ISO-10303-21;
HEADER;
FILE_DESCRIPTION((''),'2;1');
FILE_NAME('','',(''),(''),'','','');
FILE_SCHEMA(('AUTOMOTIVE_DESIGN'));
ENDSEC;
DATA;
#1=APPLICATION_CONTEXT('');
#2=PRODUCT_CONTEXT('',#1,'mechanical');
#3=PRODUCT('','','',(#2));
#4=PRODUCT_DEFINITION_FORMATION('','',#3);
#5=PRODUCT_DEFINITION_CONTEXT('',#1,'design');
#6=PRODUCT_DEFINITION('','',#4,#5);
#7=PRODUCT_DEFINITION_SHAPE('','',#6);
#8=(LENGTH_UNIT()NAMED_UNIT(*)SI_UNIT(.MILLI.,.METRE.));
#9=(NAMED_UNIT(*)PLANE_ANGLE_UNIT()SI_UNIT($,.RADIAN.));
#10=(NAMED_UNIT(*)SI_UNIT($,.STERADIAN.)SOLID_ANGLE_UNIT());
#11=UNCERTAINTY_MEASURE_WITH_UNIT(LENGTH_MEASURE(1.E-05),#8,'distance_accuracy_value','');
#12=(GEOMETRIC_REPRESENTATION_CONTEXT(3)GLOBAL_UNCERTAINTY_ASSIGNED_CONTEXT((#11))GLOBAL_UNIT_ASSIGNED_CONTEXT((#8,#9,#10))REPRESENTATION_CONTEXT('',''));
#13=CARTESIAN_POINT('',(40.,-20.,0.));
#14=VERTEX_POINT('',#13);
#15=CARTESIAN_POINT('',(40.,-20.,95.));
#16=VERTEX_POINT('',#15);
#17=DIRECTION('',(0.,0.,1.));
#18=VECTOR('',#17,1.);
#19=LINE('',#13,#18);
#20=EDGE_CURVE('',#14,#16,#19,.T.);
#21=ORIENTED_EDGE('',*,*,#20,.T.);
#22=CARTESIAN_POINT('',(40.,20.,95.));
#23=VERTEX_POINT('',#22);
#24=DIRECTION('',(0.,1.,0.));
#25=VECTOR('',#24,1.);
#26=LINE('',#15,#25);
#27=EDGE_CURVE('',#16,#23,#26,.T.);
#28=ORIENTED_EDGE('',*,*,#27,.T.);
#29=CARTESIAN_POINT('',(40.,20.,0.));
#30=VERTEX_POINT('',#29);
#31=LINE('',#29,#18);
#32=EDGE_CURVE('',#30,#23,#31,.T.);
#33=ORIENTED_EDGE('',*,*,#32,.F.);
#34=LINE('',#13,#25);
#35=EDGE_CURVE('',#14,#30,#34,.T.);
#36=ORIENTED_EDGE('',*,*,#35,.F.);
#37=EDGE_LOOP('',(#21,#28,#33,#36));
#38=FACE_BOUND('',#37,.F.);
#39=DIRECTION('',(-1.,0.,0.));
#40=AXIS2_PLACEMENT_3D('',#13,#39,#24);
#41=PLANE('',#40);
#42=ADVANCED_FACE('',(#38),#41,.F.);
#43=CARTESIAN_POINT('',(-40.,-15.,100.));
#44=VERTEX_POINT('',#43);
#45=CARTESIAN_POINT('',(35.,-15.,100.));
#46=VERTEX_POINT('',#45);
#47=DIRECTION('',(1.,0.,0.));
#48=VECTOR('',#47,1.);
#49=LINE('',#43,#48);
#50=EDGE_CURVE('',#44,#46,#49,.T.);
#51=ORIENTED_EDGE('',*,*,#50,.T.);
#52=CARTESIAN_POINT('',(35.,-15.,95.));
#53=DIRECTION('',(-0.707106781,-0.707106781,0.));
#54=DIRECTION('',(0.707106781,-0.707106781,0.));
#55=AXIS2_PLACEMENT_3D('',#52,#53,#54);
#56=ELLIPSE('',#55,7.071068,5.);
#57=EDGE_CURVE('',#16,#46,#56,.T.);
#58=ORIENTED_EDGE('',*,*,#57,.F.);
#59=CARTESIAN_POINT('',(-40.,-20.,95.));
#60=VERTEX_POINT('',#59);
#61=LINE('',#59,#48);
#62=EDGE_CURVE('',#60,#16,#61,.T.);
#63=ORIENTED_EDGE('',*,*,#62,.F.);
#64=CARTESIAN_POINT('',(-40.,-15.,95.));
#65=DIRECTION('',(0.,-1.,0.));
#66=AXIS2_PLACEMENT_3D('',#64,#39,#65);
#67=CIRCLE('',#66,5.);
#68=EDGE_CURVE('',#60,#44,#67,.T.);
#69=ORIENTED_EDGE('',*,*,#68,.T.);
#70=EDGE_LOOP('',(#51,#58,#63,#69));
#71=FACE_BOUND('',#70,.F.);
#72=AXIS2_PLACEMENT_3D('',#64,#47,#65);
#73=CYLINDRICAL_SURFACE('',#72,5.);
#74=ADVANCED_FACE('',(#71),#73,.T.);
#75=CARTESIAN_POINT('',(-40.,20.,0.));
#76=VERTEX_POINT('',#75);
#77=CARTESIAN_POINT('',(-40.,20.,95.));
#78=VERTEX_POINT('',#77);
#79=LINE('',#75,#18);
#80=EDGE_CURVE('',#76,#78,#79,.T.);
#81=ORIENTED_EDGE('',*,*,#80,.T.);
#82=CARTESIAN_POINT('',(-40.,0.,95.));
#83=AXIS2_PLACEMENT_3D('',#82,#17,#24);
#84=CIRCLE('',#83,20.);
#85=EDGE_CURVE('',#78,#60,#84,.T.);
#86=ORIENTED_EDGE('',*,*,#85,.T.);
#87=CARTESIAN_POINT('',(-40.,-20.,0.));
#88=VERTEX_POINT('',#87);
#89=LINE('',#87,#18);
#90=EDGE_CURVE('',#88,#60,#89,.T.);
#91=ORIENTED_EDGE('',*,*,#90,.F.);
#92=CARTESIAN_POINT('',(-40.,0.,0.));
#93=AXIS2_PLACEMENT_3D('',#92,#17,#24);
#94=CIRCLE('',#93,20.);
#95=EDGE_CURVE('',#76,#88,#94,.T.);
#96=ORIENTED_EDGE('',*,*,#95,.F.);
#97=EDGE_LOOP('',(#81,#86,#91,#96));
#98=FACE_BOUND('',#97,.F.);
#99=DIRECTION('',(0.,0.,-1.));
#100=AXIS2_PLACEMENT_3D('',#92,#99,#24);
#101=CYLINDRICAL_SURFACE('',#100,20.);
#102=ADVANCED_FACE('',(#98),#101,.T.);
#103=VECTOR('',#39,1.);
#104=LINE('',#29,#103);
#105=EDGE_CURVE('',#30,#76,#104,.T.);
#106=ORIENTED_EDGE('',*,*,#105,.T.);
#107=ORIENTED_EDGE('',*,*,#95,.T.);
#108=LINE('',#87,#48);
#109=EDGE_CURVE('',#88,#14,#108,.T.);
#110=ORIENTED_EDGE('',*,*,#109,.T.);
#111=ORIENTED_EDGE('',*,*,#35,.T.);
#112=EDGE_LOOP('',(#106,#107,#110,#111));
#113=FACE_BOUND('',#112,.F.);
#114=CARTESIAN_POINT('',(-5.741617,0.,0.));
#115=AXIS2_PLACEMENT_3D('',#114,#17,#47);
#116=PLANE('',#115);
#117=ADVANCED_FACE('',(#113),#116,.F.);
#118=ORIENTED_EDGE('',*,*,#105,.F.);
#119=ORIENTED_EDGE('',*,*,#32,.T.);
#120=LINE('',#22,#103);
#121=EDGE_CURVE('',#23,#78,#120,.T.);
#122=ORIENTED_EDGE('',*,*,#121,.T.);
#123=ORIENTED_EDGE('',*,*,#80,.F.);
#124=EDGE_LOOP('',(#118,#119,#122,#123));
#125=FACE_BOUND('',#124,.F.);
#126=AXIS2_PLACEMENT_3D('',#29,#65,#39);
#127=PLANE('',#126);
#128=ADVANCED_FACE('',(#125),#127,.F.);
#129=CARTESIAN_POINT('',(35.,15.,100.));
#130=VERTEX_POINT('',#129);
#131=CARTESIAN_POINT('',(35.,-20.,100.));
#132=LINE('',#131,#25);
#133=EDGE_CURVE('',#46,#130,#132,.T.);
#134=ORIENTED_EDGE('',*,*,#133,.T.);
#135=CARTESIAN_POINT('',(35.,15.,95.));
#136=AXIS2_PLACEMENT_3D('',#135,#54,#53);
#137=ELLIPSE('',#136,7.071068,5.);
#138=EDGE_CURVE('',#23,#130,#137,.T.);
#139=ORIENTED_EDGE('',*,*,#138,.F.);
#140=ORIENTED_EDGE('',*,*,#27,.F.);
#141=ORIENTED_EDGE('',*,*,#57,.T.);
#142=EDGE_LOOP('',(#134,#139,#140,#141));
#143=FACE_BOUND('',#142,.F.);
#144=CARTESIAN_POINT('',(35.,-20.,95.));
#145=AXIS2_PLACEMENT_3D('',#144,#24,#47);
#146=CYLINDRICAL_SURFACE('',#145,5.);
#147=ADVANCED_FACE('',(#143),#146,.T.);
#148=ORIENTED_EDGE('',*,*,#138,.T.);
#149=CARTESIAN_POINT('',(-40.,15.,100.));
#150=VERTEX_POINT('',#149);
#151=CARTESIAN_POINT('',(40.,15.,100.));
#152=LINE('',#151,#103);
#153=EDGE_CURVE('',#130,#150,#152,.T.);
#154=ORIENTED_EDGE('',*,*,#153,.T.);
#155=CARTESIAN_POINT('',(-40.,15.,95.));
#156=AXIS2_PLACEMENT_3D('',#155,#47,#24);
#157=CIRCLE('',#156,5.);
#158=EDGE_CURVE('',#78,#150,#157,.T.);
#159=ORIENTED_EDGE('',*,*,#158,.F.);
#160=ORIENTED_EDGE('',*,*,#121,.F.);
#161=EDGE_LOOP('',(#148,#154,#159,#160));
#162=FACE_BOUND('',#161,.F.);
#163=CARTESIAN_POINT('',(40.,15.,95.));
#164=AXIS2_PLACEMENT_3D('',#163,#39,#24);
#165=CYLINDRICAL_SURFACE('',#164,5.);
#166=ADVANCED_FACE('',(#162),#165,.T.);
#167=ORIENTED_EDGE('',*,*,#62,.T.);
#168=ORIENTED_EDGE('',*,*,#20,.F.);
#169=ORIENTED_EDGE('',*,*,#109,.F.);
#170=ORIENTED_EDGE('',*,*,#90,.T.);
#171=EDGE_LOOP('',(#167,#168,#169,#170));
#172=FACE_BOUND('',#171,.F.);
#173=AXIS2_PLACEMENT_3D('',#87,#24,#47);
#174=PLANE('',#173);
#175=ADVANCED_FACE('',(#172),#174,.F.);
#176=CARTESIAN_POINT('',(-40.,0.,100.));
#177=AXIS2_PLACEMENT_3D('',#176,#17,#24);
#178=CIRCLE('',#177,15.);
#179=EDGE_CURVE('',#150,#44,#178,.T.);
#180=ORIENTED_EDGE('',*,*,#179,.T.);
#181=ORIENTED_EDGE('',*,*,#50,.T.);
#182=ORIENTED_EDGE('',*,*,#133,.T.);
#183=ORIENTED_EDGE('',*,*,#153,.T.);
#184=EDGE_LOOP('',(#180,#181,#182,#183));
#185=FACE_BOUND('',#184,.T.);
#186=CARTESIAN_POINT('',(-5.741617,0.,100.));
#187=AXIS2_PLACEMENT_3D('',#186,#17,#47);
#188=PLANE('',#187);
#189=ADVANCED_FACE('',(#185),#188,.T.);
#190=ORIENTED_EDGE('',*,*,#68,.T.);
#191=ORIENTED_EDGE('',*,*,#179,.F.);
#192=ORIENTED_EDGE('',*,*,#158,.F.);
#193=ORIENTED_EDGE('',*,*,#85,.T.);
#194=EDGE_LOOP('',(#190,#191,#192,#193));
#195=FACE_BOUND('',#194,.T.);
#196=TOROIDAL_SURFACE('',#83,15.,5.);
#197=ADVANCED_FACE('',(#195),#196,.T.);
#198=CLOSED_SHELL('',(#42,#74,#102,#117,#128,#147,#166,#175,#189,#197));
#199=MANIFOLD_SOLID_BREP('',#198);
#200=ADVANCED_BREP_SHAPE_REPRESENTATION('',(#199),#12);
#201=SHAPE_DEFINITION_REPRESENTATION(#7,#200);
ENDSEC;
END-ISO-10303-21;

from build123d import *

# Parameters (mm, degrees)
F1_DEPTH = 100
F2_R     = 5


with BuildPart() as f1:
    # F0 (on Top) → F1 (new body)
    with BuildSketch(Plane.XY):
        with BuildLine():
            Line((40, 20), (-40, 20))
            ThreePointArc((-40, 20), (-60, 0), (-40, -20))
            Line((-40, -20), (40, -20))
            Line((40, -20), (40, 20))
        make_face()
    extrude(amount=F1_DEPTH)

    # F2
    f2_edges = [f1.edges().sort_by_distance(p)[0] for p in [
        (0, 20, 100),
        (40, 0, 100),
    ]]
    fillet(f2_edges, radius=F2_R)


solid = f1.part
